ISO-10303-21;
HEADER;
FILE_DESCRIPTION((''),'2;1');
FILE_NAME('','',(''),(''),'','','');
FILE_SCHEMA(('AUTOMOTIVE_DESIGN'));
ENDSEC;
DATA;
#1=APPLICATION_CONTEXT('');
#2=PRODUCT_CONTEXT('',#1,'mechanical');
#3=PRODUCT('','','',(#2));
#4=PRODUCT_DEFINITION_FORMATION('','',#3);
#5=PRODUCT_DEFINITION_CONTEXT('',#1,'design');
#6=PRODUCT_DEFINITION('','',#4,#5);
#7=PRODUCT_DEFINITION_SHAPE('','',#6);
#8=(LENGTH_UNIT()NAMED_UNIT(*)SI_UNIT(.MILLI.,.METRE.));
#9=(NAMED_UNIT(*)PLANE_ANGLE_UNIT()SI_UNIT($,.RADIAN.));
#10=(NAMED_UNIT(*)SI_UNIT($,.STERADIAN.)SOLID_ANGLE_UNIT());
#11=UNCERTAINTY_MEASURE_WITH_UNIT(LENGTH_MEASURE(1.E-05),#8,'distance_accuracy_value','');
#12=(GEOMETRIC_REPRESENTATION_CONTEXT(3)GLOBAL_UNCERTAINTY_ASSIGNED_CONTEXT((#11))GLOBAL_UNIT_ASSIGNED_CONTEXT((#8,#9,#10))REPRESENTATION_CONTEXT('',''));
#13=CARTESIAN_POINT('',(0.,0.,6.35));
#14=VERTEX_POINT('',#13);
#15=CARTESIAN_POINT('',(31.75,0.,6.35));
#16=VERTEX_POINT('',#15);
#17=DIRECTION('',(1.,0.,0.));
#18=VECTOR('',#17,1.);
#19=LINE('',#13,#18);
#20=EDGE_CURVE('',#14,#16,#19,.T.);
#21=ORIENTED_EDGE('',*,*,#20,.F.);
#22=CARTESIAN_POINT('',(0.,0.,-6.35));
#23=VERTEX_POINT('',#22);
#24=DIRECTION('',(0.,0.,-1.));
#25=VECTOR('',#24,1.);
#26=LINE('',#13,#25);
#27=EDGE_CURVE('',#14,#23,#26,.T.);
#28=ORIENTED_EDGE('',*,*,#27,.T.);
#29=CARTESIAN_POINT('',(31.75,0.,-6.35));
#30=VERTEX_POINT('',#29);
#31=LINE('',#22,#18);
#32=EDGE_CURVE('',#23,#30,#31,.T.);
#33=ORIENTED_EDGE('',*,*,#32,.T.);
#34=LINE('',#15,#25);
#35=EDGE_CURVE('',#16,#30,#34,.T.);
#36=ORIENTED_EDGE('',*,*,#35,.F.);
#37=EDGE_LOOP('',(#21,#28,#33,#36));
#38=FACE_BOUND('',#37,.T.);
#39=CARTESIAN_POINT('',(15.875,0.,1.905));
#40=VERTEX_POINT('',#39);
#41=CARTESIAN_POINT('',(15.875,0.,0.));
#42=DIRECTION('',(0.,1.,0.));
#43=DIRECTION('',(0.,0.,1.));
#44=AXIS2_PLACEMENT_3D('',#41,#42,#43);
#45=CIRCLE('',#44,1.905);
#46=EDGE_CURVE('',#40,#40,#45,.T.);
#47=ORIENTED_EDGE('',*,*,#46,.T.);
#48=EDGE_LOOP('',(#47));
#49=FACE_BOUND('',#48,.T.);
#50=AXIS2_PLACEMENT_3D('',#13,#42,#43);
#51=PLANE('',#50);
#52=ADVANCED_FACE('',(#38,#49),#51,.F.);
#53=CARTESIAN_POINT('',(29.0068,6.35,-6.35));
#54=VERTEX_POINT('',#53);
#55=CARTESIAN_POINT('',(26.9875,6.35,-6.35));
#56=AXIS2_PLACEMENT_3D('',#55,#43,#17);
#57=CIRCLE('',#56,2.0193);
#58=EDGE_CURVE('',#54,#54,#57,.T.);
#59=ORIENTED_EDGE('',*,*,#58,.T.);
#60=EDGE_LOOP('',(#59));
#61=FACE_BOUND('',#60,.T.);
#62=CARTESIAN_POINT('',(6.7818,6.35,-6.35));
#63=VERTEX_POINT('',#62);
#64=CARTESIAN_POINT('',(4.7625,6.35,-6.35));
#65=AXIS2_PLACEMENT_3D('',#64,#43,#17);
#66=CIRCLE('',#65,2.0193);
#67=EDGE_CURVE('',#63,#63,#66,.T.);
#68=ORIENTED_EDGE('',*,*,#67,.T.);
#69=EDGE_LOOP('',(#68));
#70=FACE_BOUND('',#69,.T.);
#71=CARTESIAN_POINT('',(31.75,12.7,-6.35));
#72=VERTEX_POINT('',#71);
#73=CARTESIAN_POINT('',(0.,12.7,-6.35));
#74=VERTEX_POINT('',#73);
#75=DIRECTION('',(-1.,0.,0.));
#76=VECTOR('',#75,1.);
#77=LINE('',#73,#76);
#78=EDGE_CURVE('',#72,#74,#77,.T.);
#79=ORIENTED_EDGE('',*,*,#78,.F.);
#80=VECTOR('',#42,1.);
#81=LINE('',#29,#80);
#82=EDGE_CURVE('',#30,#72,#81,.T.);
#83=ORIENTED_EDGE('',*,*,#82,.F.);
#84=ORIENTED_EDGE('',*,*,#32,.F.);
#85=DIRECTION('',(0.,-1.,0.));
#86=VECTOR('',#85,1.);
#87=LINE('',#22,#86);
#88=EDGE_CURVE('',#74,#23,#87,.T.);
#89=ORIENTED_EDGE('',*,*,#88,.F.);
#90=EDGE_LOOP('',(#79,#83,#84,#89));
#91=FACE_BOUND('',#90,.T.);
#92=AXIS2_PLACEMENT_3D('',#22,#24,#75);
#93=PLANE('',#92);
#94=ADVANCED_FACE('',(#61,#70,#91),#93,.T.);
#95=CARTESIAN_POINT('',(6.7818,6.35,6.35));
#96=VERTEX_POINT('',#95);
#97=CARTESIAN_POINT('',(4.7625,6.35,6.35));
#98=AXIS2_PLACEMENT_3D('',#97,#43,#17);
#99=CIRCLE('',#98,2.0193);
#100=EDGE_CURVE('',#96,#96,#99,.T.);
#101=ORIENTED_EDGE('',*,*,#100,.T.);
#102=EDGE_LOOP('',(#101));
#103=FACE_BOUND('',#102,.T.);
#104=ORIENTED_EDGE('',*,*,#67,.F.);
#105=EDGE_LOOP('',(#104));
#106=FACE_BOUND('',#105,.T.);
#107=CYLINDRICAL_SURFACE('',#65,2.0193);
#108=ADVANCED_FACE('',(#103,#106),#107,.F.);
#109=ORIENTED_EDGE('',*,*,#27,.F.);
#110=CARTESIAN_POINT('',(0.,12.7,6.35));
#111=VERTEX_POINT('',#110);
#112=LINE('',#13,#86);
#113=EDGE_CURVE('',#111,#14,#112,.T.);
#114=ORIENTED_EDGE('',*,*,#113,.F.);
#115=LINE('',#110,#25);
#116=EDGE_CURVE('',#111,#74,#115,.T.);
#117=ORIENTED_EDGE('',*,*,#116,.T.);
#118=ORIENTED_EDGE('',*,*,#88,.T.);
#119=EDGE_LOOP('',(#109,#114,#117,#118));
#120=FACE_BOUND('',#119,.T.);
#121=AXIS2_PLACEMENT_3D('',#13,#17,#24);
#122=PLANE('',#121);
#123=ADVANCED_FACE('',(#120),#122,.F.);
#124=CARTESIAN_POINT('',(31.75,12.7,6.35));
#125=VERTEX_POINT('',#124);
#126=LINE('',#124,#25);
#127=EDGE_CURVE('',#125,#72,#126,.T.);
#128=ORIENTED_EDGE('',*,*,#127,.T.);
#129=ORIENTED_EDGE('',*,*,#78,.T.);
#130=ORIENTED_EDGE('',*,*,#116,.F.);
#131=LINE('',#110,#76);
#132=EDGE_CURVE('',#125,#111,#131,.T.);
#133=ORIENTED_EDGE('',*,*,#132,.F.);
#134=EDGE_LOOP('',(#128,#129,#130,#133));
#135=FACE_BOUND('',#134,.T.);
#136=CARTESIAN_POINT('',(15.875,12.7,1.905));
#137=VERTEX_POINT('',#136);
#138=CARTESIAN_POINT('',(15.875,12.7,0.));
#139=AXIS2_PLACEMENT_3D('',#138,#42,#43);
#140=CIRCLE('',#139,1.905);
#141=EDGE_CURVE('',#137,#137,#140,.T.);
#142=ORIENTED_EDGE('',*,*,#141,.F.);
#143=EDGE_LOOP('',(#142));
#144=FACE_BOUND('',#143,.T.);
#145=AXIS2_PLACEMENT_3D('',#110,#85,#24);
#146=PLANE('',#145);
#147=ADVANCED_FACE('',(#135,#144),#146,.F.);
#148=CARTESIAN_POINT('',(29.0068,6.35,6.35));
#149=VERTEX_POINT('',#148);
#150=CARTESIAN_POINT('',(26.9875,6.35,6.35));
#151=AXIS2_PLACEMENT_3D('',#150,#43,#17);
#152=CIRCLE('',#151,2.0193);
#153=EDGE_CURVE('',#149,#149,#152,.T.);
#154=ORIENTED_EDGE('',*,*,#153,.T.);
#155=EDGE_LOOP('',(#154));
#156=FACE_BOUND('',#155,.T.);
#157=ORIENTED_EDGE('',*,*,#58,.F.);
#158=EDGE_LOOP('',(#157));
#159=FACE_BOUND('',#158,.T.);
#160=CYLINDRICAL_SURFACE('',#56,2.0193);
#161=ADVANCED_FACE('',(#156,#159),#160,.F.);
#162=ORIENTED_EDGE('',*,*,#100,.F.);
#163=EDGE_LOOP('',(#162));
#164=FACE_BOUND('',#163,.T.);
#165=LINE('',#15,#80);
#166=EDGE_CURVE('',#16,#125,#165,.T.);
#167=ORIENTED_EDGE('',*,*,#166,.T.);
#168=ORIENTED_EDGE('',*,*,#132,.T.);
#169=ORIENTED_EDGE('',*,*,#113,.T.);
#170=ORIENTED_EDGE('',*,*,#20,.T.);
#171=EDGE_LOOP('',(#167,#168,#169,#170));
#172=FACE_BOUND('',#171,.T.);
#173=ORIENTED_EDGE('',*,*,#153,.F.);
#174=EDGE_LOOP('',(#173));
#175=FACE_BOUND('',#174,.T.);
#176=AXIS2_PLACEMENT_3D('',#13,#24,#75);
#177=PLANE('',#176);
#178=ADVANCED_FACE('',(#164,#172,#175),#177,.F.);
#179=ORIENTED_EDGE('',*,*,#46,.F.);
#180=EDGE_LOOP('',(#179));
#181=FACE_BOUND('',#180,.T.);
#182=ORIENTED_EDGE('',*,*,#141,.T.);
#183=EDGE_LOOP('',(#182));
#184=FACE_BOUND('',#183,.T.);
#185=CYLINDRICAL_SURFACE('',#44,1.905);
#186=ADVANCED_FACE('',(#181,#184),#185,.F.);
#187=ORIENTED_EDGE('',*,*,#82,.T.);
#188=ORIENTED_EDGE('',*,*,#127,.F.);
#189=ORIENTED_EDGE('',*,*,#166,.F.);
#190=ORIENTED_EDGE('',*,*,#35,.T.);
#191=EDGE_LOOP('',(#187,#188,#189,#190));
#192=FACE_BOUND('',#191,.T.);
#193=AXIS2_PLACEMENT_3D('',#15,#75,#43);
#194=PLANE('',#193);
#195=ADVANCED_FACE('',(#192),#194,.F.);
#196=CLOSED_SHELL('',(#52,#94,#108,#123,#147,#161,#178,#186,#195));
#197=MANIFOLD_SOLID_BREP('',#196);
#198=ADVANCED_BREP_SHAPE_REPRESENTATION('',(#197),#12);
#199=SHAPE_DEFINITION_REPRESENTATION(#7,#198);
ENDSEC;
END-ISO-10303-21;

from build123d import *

# Parameters (mm, degrees)
SKETCH1_W           = 31.75
SKETCH1_H           = 12.7
BOSS_EXTRUDE1_DEPTH = 6.35
SKETCH2_R           = 2.0193
CUT_EXTRUDE1_DEPTH  = 37.477972806
SKETCH3_R           = 1.905
CUT_EXTRUDE2_DEPTH  = 35.780382402


with BuildPart() as part:
    # Sketch1 → Boss-Extrude1 (new, symmetric)
    with BuildSketch(Plane.XY):
        with Locations((15.875, 6.35)):
            Rectangle(SKETCH1_W, SKETCH1_H)
    extrude(amount=BOSS_EXTRUDE1_DEPTH, both=True)

    # Sketch2 → Cut-Extrude1 (cut, through all)
    with BuildSketch(Plane.XY.offset(6.35)):
        with Locations((4.7625, 6.35)):
            Circle(SKETCH2_R)
        with Locations((26.9875, 6.35)):
            Circle(SKETCH2_R)
    extrude(amount=-CUT_EXTRUDE1_DEPTH, mode=Mode.SUBTRACT)

    # Sketch3 → Cut-Extrude2 (cut, through all)
    with BuildSketch(Plane(origin=(0, 12.7, 0), x_dir=(1, 0, 0), z_dir=(0, 1, 0))):
        with Locations(Location((15.875, 0, 0), (0, 0, 270))):
            Circle(SKETCH3_R)
    extrude(amount=-CUT_EXTRUDE2_DEPTH, mode=Mode.SUBTRACT)


solid = part.part
